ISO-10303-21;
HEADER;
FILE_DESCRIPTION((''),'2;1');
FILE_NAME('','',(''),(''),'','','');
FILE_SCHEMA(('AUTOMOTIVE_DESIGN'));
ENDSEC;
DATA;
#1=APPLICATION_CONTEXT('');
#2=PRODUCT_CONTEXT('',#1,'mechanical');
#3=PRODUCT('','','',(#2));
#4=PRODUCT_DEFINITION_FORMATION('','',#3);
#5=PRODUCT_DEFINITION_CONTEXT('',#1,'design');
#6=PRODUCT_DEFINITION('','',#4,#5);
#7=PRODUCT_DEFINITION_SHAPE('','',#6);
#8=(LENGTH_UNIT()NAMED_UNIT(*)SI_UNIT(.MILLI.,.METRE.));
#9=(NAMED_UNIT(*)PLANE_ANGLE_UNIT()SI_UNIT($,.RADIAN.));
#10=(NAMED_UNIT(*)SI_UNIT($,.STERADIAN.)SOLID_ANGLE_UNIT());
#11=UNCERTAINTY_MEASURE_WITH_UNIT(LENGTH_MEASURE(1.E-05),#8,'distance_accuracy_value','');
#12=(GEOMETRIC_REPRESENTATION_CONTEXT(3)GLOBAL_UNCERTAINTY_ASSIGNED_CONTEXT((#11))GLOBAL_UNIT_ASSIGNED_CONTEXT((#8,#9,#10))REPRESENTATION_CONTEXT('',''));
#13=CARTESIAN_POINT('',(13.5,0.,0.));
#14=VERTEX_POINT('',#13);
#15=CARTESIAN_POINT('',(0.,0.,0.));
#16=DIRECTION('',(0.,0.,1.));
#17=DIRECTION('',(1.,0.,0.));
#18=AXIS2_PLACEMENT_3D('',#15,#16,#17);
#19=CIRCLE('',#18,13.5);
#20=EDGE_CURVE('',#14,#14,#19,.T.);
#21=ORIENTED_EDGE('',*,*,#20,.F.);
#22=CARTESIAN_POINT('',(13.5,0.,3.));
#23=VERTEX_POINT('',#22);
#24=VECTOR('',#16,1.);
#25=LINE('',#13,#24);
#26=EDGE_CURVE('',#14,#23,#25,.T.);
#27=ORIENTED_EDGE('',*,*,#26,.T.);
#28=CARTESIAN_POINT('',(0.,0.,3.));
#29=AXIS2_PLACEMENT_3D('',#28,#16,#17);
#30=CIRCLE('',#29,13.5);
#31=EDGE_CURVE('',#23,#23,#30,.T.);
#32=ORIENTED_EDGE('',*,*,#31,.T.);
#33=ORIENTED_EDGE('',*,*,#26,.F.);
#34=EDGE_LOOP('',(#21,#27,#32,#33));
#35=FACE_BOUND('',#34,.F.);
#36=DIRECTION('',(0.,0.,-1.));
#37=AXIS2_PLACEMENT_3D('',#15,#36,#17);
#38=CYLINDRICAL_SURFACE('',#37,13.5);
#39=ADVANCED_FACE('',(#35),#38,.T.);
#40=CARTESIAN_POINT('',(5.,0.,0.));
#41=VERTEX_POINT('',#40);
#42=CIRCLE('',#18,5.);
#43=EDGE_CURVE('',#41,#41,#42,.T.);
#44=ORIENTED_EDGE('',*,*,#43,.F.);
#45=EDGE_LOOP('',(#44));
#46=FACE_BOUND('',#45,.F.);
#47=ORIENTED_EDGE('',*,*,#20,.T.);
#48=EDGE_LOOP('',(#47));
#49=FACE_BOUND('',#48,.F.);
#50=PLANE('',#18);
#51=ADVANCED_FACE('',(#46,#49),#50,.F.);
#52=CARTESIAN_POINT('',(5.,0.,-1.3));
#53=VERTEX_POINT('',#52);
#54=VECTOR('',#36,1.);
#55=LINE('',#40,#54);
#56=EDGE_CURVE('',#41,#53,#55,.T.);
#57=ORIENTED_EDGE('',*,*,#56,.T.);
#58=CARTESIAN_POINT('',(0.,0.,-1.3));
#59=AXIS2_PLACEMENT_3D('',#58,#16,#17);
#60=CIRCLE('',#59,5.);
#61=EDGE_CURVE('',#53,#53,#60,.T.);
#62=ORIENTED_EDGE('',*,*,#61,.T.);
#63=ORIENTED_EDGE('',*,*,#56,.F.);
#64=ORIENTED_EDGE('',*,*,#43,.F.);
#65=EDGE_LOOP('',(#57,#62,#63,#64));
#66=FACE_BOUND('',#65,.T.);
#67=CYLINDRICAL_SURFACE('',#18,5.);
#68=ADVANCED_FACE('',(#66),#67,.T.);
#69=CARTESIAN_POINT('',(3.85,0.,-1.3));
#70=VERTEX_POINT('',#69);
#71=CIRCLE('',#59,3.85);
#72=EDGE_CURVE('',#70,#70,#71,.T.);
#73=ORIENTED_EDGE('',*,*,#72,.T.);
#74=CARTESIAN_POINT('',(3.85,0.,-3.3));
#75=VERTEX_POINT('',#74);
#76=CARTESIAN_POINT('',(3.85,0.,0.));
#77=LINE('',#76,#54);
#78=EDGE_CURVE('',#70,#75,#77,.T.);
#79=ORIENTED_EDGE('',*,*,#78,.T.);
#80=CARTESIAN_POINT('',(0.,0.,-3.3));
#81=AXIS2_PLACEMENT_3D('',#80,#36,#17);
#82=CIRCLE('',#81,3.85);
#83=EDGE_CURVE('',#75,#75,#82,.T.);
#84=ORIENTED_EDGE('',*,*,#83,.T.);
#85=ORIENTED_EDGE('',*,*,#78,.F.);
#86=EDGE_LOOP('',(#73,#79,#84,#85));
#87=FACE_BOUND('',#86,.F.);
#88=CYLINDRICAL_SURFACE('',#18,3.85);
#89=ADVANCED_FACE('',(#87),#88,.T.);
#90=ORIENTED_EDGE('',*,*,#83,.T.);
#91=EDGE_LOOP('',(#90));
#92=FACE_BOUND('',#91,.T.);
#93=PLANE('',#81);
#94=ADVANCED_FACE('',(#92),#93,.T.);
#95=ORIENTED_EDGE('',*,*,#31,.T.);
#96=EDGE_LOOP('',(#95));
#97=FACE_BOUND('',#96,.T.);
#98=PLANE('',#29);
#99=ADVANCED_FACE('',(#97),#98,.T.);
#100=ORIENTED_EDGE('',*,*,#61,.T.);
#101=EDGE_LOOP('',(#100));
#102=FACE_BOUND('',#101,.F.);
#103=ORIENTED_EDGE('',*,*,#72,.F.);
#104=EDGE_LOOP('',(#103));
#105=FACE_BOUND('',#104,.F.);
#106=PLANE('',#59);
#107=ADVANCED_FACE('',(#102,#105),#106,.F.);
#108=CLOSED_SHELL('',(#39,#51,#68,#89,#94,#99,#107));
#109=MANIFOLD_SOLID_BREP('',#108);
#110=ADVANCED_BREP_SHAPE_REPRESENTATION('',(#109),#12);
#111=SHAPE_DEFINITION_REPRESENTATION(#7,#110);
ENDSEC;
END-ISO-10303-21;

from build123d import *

# Parameters (mm, degrees)
F0_R      = 13.5
F1_DEPTH  = 3
F2_R      = 5
F2_R_2    = 3.85
F3_DEPTH  = 1.3
F3_FACE_R = 3.85
F4_DEPTH  = 3.3


with BuildPart() as f1:
    # F0 (on Top) → F1 (new body)
    with BuildSketch(Plane.XY):
        Circle(F0_R)
    extrude(amount=F1_DEPTH)

    # F2 (on Top) → F3 (join)
    with BuildSketch(Plane.XY):
        Circle(F2_R)
        Circle(F2_R_2, mode=Mode.SUBTRACT)
    extrude(amount=-F3_DEPTH)

    # F3_face (on face) → F4 (join)
    with BuildSketch(Plane(origin=(0, 0, 0), x_dir=(1, 0, 0), z_dir=(0, 0, -1))):
        Circle(F3_FACE_R)
    extrude(amount=F4_DEPTH)


solid = f1.part
